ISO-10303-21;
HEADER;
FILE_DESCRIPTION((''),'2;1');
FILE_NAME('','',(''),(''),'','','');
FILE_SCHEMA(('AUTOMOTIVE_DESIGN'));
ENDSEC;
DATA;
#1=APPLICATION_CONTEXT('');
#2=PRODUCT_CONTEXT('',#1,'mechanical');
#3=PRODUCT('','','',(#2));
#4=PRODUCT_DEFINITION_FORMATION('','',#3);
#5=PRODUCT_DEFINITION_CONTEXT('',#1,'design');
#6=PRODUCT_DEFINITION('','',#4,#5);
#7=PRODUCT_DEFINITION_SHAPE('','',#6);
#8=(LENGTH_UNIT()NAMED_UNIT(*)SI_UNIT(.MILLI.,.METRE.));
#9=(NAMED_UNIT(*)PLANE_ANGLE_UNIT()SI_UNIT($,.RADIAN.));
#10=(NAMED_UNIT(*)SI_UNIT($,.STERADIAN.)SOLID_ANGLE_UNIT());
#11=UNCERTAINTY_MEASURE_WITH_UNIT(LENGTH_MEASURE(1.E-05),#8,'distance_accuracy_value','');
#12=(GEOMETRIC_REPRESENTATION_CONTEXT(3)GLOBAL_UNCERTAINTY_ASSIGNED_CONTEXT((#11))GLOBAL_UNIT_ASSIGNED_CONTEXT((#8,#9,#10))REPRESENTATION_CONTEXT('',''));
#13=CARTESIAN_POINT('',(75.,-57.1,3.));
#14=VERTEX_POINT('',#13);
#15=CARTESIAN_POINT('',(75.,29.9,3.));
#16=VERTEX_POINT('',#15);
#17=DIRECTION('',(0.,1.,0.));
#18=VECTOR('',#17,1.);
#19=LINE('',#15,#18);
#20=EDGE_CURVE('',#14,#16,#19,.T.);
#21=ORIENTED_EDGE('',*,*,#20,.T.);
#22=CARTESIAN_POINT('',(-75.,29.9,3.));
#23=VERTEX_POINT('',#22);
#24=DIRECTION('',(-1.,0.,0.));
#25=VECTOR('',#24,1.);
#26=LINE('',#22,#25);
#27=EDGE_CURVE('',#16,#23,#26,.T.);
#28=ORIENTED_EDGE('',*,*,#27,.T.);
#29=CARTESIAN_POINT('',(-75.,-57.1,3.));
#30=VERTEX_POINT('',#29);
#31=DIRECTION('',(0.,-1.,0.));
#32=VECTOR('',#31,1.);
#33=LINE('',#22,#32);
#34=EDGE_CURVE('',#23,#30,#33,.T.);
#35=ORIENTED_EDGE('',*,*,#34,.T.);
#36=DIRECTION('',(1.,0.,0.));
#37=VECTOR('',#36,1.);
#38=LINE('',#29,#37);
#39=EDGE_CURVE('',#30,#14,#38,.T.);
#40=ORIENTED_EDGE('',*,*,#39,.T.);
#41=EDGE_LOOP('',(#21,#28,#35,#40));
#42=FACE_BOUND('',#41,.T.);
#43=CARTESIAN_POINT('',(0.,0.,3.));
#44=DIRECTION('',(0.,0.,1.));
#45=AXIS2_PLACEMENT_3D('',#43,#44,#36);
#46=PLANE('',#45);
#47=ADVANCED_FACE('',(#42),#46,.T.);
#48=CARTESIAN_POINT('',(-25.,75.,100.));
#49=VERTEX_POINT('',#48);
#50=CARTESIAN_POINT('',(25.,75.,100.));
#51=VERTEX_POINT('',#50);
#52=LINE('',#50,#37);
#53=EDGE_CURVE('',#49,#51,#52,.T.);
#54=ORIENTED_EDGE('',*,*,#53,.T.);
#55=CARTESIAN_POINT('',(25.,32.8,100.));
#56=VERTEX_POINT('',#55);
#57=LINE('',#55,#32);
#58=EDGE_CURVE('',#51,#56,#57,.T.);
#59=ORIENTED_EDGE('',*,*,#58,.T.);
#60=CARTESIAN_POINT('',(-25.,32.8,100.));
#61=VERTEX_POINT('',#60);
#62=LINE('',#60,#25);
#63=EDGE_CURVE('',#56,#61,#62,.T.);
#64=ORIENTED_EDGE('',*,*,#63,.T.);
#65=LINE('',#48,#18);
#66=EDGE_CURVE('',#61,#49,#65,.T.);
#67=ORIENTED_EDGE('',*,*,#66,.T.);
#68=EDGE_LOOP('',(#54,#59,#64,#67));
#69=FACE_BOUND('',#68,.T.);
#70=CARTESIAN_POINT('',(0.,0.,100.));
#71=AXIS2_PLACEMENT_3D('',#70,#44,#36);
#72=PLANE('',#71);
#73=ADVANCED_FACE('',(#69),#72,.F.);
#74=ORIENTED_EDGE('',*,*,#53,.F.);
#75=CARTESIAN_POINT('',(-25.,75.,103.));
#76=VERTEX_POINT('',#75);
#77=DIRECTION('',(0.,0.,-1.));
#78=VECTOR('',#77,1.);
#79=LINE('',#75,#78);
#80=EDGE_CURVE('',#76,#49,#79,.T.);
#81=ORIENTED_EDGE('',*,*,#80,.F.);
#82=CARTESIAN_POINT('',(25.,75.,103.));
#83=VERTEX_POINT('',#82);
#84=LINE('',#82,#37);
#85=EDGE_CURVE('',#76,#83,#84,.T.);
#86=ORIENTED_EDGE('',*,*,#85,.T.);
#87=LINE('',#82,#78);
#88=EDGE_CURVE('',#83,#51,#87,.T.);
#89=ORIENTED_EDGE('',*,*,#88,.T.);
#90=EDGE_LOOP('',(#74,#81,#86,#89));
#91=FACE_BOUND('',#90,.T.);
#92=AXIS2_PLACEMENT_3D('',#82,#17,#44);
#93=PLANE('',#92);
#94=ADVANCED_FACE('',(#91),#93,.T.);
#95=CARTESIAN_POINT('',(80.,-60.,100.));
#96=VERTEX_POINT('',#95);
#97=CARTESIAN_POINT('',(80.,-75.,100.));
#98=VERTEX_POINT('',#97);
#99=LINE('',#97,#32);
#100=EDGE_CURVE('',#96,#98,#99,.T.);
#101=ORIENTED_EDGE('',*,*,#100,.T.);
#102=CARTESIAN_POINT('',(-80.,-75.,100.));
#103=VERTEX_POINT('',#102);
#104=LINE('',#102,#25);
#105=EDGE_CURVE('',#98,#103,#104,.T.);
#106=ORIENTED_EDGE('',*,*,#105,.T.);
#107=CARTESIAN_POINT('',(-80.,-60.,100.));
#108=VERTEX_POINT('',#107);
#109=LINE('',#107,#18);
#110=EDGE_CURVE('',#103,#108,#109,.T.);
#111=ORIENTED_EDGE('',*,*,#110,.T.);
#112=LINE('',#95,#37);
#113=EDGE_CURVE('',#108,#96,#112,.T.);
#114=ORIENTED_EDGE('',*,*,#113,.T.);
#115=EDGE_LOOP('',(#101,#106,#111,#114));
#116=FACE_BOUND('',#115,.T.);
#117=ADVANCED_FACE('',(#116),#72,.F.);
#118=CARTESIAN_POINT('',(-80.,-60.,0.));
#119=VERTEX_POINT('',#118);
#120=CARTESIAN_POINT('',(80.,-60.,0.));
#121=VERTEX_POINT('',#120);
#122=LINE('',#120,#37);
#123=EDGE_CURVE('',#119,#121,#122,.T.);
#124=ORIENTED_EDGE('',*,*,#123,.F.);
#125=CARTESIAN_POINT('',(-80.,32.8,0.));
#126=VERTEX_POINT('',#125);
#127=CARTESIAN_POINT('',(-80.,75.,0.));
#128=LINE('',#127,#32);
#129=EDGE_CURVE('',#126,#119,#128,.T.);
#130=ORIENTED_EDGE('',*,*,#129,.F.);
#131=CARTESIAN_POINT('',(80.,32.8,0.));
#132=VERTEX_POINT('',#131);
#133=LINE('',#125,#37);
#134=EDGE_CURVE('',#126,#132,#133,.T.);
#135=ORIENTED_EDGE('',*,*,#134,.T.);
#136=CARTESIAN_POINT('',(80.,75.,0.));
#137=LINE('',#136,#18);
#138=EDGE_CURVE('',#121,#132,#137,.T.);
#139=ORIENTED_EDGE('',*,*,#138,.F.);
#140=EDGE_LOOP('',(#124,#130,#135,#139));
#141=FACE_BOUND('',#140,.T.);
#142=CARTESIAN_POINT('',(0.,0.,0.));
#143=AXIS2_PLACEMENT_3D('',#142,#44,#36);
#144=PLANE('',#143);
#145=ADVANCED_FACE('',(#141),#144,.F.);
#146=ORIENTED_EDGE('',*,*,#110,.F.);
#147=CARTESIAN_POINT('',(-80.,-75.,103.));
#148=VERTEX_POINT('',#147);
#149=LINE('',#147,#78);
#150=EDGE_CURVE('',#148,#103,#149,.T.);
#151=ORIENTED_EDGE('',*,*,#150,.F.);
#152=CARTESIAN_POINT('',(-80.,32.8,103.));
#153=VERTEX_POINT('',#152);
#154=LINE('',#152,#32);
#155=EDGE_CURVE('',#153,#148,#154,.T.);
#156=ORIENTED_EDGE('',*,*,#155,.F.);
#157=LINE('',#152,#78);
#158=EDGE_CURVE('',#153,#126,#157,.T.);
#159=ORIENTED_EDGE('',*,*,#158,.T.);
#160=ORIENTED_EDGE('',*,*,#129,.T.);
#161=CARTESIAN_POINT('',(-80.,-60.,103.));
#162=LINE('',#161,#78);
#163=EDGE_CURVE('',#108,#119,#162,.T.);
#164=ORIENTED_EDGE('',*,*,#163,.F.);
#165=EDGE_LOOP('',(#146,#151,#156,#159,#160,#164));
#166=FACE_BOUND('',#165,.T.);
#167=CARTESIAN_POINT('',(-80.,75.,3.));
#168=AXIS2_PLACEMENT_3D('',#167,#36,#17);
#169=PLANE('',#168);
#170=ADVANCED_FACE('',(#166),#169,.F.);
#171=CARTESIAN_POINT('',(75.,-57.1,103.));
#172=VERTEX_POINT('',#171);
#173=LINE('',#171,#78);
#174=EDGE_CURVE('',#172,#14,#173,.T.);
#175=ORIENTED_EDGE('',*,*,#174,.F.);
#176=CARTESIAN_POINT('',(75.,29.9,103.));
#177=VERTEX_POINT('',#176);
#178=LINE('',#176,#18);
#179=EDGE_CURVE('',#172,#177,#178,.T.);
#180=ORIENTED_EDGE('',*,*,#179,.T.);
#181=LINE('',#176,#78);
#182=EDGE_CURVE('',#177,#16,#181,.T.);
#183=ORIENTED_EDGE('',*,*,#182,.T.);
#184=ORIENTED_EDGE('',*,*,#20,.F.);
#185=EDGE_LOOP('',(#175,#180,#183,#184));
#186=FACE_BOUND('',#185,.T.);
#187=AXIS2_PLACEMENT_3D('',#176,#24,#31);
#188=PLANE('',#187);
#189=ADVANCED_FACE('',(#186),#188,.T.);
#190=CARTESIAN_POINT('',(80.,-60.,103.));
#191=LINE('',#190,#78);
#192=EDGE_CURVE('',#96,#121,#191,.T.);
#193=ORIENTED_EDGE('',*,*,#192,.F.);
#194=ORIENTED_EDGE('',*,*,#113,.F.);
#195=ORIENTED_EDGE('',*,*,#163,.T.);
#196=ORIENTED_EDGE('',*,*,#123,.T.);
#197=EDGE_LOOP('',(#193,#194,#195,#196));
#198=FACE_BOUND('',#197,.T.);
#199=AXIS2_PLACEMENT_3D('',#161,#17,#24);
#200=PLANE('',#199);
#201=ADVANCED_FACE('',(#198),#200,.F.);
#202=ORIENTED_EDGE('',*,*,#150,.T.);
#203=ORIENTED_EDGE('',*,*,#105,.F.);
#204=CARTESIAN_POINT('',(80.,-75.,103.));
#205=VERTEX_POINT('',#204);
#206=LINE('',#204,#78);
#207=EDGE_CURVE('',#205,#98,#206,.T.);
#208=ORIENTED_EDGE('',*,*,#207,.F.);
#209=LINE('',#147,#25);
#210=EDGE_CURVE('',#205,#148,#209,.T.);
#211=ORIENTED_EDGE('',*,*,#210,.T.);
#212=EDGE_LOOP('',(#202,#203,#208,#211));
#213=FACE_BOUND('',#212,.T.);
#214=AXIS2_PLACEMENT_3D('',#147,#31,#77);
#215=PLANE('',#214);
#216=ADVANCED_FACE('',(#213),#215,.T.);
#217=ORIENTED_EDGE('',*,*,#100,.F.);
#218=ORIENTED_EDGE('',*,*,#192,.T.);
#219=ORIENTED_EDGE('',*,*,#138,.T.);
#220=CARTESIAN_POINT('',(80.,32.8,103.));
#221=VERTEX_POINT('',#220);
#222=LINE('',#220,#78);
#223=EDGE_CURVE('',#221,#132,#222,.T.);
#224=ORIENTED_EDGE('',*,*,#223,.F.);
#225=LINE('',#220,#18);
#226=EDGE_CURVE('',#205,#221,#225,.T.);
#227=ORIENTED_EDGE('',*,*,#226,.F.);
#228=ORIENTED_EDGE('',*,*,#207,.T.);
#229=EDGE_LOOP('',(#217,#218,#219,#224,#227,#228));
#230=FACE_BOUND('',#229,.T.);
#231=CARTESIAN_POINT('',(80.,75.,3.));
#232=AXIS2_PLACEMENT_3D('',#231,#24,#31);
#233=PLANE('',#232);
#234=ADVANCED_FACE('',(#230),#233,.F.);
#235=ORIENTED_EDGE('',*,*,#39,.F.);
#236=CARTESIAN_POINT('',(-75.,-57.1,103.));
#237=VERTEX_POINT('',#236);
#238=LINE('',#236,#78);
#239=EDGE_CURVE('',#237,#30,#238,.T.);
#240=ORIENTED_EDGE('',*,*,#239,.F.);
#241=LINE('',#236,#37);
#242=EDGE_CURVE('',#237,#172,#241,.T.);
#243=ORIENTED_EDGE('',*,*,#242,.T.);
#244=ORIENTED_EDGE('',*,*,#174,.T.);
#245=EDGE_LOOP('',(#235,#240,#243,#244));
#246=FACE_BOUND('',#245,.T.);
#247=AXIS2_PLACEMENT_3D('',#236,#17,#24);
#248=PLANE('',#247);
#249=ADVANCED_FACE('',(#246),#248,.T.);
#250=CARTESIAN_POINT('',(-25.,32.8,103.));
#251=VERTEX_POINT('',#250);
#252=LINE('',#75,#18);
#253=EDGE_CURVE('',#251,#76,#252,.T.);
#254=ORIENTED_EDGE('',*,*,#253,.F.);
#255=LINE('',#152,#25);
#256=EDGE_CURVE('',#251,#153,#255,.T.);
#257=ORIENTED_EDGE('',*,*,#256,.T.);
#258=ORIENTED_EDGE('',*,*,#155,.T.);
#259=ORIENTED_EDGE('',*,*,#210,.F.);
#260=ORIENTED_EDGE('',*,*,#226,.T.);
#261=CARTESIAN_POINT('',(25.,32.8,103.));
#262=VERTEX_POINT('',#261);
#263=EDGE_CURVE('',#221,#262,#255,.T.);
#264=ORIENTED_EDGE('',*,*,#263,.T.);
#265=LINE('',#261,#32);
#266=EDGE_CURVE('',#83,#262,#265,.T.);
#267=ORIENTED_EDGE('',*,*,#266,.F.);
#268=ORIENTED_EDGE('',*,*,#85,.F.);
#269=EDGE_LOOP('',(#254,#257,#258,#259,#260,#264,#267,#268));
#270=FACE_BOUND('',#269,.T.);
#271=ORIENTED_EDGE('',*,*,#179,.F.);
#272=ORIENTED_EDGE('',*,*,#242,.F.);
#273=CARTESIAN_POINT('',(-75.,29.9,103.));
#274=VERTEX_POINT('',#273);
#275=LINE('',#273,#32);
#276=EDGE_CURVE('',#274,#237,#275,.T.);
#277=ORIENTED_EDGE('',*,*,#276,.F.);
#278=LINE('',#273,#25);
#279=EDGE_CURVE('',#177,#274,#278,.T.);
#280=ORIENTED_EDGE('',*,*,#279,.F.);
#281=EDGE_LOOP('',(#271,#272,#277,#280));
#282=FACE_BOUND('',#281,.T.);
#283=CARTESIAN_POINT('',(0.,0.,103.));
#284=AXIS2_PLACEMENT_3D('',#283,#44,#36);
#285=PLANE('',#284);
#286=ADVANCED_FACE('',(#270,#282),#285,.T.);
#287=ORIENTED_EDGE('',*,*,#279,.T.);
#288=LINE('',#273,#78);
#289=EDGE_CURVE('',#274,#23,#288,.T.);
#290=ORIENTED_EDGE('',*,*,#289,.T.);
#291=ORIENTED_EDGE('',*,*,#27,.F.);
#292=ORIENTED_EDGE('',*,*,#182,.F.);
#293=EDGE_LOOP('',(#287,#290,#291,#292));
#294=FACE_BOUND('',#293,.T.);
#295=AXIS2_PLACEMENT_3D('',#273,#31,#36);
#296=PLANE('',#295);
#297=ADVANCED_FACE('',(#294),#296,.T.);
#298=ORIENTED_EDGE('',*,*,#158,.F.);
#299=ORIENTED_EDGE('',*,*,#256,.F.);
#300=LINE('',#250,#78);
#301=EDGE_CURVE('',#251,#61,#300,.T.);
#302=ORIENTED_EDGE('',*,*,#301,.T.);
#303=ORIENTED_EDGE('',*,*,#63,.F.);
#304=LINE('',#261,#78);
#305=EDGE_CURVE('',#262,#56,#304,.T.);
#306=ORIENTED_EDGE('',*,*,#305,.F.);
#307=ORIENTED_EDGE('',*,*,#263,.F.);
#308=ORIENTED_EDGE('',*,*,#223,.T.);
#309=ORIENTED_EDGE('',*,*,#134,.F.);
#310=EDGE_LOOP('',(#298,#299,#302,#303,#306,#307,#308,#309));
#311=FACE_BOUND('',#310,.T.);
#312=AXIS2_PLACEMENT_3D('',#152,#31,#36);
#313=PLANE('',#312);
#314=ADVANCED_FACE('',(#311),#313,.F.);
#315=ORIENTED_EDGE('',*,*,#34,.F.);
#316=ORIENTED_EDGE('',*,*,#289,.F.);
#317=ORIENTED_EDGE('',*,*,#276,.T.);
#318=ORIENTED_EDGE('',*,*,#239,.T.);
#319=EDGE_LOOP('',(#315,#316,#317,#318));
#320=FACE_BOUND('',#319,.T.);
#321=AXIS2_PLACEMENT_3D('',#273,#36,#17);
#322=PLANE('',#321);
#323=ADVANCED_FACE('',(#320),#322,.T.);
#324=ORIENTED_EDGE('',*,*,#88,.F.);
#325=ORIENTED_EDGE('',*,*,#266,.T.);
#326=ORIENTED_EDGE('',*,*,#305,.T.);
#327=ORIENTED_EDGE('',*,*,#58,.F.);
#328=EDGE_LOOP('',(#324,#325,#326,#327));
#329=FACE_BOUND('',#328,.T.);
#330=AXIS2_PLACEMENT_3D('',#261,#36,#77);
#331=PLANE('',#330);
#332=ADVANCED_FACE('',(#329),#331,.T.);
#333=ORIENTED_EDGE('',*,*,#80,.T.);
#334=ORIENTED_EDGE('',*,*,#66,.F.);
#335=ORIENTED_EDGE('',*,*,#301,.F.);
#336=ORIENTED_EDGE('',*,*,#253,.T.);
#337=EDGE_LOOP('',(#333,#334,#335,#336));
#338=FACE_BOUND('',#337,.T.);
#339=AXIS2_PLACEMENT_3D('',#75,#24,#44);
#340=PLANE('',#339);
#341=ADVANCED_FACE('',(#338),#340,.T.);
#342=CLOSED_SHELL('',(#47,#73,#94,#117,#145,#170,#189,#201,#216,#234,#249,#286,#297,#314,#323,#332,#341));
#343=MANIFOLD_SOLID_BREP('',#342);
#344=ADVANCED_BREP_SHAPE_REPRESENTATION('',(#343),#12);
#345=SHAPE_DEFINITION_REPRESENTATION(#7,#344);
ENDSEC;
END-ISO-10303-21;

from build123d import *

# Parameters (mm, degrees)
SKETCH_1_W          = 160
SKETCH_1_H          = 150
EXTRUDE_1_DEPTH     = 3
SKETCH_2_W          = 160
SKETCH_2_H          = 92.8
SKETCH_2_W_2        = 150
SKETCH_2_H_2        = 87
EXTRUDE_2_DEPTH     = 100
SKETCH_4_W          = 55
SKETCH_4_H          = 42.2
CUT_EXTRUDE_2_DEPTH = 3
SKETCH_5_W          = 160
SKETCH_5_H          = 15
SKETCH_5_W_2        = 50
SKETCH_5_H_2        = 42.2
EXTRUDE_3_DEPTH     = 3
SKETCH_5_2_W        = 160
SKETCH_5_2_H        = 15
SKETCH_5_2_W_2      = 50
SKETCH_5_2_H_2      = 42.2
CUT_EXTRUDE_3_DEPTH = 149.408220797


with BuildPart() as part:
    # ｽｹｯﾁ1 → ﾎﾞｽ - 押し出し1 (new body)
    with BuildSketch(Plane.XY):
        Rectangle(SKETCH_1_W, SKETCH_1_H)
    extrude(amount=EXTRUDE_1_DEPTH)

    # ｽｹｯﾁ2 → ﾎﾞｽ - 押し出し2 (add)
    with BuildSketch(Plane.XY.offset(3)):
        with Locations((0, -13.6)):
            Rectangle(SKETCH_2_W, SKETCH_2_H)
        with Locations((0, -13.6)):
            Rectangle(SKETCH_2_W_2, SKETCH_2_H_2, mode=Mode.SUBTRACT)
    extrude(amount=EXTRUDE_2_DEPTH)

    # ｽｹｯﾁ4 → ｶｯﾄ - 押し出し2 (cut)
    with BuildSketch(Plane.XY.offset(3)):
        with Locations((-52.5, 53.9)):
            Rectangle(SKETCH_4_W, SKETCH_4_H)
        with Locations((52.5, 53.9)):
            Rectangle(SKETCH_4_W, SKETCH_4_H)
    extrude(amount=-CUT_EXTRUDE_2_DEPTH, mode=Mode.SUBTRACT)

    # ｽｹｯﾁ5 → ﾎﾞｽ - 押し出し3 (add)
    with BuildSketch(Plane(origin=(0, 0, 100), x_dir=(-1, 0, 0), z_dir=(0, 0, -1))):
        with Locations((0, -67.5)):
            Rectangle(SKETCH_5_W, SKETCH_5_H)
        with Locations((0, 53.9)):
            Rectangle(SKETCH_5_W_2, SKETCH_5_H_2)
    extrude(amount=-EXTRUDE_3_DEPTH)

    # ｽｹｯﾁ5<2> → ｶｯﾄ - 押し出し3 (cut, through all)
    with BuildSketch(Plane(origin=(0, 0, 100), x_dir=(-1, 0, 0), z_dir=(0, 0, -1))):
        with Locations((0, -67.5)):
            Rectangle(SKETCH_5_2_W, SKETCH_5_2_H)
        with Locations((0, 53.9)):
            Rectangle(SKETCH_5_2_W_2, SKETCH_5_2_H_2)
    extrude(amount=CUT_EXTRUDE_3_DEPTH, mode=Mode.SUBTRACT)


solid = part.part
